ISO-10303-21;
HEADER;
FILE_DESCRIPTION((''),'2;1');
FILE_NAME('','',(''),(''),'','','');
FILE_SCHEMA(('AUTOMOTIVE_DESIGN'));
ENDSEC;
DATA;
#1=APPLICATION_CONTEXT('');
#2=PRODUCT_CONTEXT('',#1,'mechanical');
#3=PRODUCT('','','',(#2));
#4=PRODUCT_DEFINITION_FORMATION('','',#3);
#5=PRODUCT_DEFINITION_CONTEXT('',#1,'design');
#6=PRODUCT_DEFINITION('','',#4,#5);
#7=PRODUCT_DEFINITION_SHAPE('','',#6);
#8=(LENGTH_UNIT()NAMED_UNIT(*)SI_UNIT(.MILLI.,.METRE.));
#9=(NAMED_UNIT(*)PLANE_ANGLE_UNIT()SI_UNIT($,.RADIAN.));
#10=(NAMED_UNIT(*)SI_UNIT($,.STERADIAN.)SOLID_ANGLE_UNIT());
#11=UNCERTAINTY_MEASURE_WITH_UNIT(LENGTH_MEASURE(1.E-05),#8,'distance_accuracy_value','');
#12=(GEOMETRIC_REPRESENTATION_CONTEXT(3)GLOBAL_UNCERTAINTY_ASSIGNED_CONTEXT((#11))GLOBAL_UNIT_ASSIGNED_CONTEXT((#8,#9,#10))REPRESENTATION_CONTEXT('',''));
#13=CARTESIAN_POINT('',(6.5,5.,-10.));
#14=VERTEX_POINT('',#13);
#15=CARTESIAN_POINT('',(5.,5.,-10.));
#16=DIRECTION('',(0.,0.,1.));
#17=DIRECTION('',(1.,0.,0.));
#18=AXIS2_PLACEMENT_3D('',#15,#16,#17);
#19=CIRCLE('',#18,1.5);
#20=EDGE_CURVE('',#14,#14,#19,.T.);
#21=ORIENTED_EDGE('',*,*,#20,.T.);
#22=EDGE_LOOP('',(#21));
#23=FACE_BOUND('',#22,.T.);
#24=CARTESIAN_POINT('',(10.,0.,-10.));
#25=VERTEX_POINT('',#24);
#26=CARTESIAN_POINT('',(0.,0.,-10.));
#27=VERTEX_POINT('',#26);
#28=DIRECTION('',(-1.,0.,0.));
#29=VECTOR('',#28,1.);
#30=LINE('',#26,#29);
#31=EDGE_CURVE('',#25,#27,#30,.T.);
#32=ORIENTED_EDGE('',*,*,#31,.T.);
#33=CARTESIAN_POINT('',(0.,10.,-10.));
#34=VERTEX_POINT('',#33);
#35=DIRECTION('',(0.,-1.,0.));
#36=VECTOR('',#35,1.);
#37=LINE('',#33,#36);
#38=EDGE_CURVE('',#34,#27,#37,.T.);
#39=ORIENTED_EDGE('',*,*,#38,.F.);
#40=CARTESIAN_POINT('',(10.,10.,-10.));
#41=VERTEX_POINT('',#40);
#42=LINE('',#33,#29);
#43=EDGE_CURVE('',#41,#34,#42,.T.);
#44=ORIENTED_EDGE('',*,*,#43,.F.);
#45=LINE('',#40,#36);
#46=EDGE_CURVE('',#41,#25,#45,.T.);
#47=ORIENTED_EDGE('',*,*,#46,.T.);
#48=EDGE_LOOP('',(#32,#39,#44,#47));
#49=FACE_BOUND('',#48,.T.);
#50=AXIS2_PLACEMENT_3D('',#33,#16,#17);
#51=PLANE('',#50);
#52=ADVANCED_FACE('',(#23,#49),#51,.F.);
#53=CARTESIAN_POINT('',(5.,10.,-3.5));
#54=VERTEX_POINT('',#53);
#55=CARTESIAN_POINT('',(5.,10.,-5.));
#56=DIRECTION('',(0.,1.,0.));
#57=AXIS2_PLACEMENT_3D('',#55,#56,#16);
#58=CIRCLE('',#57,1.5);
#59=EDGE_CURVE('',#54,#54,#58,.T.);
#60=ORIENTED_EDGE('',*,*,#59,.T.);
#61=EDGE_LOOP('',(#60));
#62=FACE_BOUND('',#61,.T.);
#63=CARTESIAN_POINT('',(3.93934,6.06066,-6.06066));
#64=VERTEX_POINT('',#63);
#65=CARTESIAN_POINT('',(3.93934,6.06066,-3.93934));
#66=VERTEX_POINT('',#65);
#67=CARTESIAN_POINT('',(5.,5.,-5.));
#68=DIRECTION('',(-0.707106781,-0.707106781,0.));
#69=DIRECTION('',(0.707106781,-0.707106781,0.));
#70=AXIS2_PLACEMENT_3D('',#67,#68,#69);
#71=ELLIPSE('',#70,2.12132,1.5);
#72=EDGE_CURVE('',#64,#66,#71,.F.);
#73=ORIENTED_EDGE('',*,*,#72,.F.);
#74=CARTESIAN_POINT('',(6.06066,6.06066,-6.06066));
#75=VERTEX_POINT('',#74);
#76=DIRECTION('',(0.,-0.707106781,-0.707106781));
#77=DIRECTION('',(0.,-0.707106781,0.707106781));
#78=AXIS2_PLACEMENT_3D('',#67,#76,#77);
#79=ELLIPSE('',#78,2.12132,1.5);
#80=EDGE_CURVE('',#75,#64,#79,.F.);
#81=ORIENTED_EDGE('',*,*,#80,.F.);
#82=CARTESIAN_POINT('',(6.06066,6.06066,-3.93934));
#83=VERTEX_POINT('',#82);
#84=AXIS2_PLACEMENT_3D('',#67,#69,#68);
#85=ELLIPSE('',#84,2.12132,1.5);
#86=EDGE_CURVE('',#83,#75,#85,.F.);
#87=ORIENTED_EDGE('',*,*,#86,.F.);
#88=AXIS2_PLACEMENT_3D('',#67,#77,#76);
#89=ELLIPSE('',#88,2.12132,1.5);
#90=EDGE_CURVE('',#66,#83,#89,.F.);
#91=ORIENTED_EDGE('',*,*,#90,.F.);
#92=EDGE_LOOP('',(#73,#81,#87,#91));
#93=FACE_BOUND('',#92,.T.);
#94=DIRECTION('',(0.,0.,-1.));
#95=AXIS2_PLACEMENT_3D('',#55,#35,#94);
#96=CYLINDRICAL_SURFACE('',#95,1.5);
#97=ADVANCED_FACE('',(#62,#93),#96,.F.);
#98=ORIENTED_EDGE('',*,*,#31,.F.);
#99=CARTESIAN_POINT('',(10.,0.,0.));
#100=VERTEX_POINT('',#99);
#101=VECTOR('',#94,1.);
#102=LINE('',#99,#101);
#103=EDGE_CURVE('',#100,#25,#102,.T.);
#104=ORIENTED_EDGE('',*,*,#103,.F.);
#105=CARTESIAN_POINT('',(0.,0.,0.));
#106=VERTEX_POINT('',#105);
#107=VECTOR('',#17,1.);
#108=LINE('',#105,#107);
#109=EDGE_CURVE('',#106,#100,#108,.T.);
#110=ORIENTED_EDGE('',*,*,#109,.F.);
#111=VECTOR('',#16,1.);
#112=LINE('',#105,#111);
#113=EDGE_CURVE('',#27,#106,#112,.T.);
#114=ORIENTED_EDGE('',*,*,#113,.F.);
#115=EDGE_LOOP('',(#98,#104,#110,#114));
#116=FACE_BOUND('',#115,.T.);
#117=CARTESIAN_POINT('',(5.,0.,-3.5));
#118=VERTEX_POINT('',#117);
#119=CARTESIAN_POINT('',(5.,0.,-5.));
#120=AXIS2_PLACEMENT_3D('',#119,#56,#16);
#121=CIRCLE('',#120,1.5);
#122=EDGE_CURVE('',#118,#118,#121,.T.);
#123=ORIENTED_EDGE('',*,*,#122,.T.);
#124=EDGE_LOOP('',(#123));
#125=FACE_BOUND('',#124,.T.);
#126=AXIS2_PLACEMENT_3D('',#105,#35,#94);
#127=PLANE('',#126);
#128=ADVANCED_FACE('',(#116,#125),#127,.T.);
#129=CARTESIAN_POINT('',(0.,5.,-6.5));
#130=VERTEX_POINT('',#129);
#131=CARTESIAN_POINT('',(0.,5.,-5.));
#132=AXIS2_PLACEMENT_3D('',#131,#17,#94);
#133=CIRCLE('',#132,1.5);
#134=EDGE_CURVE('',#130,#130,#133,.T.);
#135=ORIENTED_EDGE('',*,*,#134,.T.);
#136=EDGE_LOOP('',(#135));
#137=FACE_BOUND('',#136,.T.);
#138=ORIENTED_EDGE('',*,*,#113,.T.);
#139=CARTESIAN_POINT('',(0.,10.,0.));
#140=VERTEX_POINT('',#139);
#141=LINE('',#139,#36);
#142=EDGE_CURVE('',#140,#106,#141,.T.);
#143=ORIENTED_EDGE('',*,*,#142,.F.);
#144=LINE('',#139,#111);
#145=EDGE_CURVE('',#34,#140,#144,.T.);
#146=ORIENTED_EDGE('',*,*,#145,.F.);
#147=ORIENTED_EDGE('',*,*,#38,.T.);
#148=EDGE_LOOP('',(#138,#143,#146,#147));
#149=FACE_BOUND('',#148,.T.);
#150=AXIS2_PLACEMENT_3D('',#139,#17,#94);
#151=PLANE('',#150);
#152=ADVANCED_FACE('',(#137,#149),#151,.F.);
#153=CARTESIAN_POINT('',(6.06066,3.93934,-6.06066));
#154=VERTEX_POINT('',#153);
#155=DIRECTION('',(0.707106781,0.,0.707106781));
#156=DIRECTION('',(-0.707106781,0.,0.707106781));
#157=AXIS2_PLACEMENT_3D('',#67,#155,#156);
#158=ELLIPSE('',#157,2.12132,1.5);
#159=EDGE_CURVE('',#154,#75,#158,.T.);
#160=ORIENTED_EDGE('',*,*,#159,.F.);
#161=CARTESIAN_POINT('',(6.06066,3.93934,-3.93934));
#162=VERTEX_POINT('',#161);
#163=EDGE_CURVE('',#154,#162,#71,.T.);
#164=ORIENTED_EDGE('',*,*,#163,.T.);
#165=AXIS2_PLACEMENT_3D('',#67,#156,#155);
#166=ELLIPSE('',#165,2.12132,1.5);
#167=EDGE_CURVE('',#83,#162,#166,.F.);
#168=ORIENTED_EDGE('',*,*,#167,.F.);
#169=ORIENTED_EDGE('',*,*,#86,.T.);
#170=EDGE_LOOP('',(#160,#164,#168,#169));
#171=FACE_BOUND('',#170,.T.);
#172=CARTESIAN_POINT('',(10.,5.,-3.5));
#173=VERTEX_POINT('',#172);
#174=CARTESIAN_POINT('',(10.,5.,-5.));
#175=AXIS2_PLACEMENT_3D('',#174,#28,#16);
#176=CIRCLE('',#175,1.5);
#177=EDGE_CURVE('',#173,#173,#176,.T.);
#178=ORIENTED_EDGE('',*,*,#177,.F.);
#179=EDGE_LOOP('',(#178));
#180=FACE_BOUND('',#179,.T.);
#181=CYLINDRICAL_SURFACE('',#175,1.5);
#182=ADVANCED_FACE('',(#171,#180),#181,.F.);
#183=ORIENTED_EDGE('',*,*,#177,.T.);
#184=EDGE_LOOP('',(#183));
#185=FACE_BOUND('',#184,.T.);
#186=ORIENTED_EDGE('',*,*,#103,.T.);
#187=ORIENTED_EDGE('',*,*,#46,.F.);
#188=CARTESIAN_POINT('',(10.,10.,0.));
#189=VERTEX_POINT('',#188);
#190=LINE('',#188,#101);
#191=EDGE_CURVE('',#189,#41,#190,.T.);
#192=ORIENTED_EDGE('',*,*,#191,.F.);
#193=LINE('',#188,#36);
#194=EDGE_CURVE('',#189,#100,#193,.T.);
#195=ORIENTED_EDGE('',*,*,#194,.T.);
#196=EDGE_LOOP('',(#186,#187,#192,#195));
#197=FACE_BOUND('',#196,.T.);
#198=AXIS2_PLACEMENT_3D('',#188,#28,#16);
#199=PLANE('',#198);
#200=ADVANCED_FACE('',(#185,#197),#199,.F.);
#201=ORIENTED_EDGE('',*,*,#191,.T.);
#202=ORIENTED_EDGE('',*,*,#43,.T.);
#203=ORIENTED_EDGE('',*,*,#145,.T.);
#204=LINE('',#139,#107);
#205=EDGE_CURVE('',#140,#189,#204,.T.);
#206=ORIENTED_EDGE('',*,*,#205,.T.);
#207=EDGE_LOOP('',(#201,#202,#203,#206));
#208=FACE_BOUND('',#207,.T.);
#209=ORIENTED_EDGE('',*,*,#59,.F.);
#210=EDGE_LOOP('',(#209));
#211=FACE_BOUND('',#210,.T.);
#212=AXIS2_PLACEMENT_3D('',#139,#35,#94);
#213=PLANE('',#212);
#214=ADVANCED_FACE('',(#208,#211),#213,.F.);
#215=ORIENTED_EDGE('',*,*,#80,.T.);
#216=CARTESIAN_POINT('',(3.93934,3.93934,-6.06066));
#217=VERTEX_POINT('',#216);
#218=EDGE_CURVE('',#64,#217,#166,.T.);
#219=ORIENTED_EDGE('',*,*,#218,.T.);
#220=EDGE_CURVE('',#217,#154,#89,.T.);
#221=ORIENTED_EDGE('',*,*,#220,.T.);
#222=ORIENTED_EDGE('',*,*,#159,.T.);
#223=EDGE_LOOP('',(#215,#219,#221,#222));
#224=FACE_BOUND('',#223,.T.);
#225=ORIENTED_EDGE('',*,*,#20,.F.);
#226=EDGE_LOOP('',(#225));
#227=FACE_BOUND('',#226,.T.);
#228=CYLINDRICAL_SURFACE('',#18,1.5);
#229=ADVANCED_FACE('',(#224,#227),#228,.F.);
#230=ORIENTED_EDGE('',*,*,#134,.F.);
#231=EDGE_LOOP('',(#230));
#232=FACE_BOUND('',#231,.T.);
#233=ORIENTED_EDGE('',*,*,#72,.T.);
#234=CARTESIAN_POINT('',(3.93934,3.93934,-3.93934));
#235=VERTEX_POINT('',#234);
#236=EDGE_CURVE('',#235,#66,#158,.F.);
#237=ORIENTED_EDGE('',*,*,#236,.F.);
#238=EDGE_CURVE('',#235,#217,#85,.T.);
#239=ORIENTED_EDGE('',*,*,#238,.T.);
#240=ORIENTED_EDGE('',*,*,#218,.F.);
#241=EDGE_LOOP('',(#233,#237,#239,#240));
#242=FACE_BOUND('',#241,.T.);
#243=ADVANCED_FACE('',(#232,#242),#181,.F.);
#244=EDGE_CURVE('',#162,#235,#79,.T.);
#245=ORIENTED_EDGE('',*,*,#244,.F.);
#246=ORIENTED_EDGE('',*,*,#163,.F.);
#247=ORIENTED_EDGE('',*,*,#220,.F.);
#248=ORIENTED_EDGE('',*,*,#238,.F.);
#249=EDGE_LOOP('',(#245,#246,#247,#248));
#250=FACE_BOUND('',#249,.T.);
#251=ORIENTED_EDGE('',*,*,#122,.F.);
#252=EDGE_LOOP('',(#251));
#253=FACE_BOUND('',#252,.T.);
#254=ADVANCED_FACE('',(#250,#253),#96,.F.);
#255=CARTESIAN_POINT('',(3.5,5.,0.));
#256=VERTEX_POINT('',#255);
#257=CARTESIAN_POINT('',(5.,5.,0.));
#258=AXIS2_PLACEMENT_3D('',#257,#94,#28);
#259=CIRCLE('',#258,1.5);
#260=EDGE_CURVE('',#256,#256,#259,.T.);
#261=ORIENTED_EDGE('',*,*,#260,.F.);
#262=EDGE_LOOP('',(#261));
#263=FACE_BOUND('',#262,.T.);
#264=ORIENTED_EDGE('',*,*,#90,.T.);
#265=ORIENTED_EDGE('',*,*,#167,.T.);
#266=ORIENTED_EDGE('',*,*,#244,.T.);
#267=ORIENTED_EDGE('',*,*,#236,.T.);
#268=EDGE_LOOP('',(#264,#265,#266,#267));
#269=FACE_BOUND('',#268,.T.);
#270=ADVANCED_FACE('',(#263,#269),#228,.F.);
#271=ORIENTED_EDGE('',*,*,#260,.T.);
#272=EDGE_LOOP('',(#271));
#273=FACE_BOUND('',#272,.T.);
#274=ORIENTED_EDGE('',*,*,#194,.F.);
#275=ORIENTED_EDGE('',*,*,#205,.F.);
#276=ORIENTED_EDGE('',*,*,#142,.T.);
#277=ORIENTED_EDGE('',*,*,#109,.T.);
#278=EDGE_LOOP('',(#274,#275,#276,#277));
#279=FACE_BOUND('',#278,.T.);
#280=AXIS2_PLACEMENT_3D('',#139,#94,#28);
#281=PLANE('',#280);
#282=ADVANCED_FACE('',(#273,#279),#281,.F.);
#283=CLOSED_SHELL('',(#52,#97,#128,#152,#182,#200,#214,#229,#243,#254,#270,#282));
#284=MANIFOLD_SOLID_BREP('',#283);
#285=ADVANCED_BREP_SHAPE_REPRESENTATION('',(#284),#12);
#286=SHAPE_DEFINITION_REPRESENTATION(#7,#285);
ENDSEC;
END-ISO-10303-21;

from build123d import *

# Parameters (mm, degrees)
SKETCH_1_W               = 10
SKETCH_1_H               = 10
SKETCH_1_R               = 1.5
EXTRUDE_1_DEPTH          = 10
CUT_EXTRUDE_1_DEPTH      = 18.320508076
CUT_EXTRUDE_1_DEPTH_BACK = 18.320508076
SKETCH_2_R               = 1.5
CUT_EXTRUDE_2_DEPTH      = 18.320508076
CUT_EXTRUDE_2_DEPTH_BACK = 18.320508076
SKETCH_3_R               = 1.5


with BuildPart() as part:
    # 草图1 → 凸台-拉伸1 (new body)
    with BuildSketch(Plane(origin=(0, 0, 0), x_dir=(1, 0, 0), z_dir=(0, 1, 0))):
        with Locations((5, 5)):
            Rectangle(SKETCH_1_W, SKETCH_1_H)
        with Locations(Location((5, 5, 0), (0, 0, 270))):
            Circle(SKETCH_1_R, mode=Mode.SUBTRACT)
    extrude(amount=EXTRUDE_1_DEPTH)

    # 草图2 → 切除-拉伸1 (cut, two sides: drawn at the far end of the back side and taken through both)
    with BuildSketch(Plane.XY.offset(-CUT_EXTRUDE_1_DEPTH_BACK)):
        with Locations((5, 5)):
            Circle(SKETCH_2_R)
    extrude(amount=CUT_EXTRUDE_1_DEPTH + CUT_EXTRUDE_1_DEPTH_BACK, mode=Mode.SUBTRACT)

    # 草图3 → 切除-拉伸2 (cut, two sides: drawn at the far end of the back side and taken through both)
    with BuildSketch(Plane.ZY.offset(-CUT_EXTRUDE_2_DEPTH_BACK)):
        with Locations(Location((-5, 5, 0), (0, 0, 315))):
            Circle(SKETCH_3_R)
    extrude(amount=CUT_EXTRUDE_2_DEPTH + CUT_EXTRUDE_2_DEPTH_BACK, mode=Mode.SUBTRACT)


solid = part.part
